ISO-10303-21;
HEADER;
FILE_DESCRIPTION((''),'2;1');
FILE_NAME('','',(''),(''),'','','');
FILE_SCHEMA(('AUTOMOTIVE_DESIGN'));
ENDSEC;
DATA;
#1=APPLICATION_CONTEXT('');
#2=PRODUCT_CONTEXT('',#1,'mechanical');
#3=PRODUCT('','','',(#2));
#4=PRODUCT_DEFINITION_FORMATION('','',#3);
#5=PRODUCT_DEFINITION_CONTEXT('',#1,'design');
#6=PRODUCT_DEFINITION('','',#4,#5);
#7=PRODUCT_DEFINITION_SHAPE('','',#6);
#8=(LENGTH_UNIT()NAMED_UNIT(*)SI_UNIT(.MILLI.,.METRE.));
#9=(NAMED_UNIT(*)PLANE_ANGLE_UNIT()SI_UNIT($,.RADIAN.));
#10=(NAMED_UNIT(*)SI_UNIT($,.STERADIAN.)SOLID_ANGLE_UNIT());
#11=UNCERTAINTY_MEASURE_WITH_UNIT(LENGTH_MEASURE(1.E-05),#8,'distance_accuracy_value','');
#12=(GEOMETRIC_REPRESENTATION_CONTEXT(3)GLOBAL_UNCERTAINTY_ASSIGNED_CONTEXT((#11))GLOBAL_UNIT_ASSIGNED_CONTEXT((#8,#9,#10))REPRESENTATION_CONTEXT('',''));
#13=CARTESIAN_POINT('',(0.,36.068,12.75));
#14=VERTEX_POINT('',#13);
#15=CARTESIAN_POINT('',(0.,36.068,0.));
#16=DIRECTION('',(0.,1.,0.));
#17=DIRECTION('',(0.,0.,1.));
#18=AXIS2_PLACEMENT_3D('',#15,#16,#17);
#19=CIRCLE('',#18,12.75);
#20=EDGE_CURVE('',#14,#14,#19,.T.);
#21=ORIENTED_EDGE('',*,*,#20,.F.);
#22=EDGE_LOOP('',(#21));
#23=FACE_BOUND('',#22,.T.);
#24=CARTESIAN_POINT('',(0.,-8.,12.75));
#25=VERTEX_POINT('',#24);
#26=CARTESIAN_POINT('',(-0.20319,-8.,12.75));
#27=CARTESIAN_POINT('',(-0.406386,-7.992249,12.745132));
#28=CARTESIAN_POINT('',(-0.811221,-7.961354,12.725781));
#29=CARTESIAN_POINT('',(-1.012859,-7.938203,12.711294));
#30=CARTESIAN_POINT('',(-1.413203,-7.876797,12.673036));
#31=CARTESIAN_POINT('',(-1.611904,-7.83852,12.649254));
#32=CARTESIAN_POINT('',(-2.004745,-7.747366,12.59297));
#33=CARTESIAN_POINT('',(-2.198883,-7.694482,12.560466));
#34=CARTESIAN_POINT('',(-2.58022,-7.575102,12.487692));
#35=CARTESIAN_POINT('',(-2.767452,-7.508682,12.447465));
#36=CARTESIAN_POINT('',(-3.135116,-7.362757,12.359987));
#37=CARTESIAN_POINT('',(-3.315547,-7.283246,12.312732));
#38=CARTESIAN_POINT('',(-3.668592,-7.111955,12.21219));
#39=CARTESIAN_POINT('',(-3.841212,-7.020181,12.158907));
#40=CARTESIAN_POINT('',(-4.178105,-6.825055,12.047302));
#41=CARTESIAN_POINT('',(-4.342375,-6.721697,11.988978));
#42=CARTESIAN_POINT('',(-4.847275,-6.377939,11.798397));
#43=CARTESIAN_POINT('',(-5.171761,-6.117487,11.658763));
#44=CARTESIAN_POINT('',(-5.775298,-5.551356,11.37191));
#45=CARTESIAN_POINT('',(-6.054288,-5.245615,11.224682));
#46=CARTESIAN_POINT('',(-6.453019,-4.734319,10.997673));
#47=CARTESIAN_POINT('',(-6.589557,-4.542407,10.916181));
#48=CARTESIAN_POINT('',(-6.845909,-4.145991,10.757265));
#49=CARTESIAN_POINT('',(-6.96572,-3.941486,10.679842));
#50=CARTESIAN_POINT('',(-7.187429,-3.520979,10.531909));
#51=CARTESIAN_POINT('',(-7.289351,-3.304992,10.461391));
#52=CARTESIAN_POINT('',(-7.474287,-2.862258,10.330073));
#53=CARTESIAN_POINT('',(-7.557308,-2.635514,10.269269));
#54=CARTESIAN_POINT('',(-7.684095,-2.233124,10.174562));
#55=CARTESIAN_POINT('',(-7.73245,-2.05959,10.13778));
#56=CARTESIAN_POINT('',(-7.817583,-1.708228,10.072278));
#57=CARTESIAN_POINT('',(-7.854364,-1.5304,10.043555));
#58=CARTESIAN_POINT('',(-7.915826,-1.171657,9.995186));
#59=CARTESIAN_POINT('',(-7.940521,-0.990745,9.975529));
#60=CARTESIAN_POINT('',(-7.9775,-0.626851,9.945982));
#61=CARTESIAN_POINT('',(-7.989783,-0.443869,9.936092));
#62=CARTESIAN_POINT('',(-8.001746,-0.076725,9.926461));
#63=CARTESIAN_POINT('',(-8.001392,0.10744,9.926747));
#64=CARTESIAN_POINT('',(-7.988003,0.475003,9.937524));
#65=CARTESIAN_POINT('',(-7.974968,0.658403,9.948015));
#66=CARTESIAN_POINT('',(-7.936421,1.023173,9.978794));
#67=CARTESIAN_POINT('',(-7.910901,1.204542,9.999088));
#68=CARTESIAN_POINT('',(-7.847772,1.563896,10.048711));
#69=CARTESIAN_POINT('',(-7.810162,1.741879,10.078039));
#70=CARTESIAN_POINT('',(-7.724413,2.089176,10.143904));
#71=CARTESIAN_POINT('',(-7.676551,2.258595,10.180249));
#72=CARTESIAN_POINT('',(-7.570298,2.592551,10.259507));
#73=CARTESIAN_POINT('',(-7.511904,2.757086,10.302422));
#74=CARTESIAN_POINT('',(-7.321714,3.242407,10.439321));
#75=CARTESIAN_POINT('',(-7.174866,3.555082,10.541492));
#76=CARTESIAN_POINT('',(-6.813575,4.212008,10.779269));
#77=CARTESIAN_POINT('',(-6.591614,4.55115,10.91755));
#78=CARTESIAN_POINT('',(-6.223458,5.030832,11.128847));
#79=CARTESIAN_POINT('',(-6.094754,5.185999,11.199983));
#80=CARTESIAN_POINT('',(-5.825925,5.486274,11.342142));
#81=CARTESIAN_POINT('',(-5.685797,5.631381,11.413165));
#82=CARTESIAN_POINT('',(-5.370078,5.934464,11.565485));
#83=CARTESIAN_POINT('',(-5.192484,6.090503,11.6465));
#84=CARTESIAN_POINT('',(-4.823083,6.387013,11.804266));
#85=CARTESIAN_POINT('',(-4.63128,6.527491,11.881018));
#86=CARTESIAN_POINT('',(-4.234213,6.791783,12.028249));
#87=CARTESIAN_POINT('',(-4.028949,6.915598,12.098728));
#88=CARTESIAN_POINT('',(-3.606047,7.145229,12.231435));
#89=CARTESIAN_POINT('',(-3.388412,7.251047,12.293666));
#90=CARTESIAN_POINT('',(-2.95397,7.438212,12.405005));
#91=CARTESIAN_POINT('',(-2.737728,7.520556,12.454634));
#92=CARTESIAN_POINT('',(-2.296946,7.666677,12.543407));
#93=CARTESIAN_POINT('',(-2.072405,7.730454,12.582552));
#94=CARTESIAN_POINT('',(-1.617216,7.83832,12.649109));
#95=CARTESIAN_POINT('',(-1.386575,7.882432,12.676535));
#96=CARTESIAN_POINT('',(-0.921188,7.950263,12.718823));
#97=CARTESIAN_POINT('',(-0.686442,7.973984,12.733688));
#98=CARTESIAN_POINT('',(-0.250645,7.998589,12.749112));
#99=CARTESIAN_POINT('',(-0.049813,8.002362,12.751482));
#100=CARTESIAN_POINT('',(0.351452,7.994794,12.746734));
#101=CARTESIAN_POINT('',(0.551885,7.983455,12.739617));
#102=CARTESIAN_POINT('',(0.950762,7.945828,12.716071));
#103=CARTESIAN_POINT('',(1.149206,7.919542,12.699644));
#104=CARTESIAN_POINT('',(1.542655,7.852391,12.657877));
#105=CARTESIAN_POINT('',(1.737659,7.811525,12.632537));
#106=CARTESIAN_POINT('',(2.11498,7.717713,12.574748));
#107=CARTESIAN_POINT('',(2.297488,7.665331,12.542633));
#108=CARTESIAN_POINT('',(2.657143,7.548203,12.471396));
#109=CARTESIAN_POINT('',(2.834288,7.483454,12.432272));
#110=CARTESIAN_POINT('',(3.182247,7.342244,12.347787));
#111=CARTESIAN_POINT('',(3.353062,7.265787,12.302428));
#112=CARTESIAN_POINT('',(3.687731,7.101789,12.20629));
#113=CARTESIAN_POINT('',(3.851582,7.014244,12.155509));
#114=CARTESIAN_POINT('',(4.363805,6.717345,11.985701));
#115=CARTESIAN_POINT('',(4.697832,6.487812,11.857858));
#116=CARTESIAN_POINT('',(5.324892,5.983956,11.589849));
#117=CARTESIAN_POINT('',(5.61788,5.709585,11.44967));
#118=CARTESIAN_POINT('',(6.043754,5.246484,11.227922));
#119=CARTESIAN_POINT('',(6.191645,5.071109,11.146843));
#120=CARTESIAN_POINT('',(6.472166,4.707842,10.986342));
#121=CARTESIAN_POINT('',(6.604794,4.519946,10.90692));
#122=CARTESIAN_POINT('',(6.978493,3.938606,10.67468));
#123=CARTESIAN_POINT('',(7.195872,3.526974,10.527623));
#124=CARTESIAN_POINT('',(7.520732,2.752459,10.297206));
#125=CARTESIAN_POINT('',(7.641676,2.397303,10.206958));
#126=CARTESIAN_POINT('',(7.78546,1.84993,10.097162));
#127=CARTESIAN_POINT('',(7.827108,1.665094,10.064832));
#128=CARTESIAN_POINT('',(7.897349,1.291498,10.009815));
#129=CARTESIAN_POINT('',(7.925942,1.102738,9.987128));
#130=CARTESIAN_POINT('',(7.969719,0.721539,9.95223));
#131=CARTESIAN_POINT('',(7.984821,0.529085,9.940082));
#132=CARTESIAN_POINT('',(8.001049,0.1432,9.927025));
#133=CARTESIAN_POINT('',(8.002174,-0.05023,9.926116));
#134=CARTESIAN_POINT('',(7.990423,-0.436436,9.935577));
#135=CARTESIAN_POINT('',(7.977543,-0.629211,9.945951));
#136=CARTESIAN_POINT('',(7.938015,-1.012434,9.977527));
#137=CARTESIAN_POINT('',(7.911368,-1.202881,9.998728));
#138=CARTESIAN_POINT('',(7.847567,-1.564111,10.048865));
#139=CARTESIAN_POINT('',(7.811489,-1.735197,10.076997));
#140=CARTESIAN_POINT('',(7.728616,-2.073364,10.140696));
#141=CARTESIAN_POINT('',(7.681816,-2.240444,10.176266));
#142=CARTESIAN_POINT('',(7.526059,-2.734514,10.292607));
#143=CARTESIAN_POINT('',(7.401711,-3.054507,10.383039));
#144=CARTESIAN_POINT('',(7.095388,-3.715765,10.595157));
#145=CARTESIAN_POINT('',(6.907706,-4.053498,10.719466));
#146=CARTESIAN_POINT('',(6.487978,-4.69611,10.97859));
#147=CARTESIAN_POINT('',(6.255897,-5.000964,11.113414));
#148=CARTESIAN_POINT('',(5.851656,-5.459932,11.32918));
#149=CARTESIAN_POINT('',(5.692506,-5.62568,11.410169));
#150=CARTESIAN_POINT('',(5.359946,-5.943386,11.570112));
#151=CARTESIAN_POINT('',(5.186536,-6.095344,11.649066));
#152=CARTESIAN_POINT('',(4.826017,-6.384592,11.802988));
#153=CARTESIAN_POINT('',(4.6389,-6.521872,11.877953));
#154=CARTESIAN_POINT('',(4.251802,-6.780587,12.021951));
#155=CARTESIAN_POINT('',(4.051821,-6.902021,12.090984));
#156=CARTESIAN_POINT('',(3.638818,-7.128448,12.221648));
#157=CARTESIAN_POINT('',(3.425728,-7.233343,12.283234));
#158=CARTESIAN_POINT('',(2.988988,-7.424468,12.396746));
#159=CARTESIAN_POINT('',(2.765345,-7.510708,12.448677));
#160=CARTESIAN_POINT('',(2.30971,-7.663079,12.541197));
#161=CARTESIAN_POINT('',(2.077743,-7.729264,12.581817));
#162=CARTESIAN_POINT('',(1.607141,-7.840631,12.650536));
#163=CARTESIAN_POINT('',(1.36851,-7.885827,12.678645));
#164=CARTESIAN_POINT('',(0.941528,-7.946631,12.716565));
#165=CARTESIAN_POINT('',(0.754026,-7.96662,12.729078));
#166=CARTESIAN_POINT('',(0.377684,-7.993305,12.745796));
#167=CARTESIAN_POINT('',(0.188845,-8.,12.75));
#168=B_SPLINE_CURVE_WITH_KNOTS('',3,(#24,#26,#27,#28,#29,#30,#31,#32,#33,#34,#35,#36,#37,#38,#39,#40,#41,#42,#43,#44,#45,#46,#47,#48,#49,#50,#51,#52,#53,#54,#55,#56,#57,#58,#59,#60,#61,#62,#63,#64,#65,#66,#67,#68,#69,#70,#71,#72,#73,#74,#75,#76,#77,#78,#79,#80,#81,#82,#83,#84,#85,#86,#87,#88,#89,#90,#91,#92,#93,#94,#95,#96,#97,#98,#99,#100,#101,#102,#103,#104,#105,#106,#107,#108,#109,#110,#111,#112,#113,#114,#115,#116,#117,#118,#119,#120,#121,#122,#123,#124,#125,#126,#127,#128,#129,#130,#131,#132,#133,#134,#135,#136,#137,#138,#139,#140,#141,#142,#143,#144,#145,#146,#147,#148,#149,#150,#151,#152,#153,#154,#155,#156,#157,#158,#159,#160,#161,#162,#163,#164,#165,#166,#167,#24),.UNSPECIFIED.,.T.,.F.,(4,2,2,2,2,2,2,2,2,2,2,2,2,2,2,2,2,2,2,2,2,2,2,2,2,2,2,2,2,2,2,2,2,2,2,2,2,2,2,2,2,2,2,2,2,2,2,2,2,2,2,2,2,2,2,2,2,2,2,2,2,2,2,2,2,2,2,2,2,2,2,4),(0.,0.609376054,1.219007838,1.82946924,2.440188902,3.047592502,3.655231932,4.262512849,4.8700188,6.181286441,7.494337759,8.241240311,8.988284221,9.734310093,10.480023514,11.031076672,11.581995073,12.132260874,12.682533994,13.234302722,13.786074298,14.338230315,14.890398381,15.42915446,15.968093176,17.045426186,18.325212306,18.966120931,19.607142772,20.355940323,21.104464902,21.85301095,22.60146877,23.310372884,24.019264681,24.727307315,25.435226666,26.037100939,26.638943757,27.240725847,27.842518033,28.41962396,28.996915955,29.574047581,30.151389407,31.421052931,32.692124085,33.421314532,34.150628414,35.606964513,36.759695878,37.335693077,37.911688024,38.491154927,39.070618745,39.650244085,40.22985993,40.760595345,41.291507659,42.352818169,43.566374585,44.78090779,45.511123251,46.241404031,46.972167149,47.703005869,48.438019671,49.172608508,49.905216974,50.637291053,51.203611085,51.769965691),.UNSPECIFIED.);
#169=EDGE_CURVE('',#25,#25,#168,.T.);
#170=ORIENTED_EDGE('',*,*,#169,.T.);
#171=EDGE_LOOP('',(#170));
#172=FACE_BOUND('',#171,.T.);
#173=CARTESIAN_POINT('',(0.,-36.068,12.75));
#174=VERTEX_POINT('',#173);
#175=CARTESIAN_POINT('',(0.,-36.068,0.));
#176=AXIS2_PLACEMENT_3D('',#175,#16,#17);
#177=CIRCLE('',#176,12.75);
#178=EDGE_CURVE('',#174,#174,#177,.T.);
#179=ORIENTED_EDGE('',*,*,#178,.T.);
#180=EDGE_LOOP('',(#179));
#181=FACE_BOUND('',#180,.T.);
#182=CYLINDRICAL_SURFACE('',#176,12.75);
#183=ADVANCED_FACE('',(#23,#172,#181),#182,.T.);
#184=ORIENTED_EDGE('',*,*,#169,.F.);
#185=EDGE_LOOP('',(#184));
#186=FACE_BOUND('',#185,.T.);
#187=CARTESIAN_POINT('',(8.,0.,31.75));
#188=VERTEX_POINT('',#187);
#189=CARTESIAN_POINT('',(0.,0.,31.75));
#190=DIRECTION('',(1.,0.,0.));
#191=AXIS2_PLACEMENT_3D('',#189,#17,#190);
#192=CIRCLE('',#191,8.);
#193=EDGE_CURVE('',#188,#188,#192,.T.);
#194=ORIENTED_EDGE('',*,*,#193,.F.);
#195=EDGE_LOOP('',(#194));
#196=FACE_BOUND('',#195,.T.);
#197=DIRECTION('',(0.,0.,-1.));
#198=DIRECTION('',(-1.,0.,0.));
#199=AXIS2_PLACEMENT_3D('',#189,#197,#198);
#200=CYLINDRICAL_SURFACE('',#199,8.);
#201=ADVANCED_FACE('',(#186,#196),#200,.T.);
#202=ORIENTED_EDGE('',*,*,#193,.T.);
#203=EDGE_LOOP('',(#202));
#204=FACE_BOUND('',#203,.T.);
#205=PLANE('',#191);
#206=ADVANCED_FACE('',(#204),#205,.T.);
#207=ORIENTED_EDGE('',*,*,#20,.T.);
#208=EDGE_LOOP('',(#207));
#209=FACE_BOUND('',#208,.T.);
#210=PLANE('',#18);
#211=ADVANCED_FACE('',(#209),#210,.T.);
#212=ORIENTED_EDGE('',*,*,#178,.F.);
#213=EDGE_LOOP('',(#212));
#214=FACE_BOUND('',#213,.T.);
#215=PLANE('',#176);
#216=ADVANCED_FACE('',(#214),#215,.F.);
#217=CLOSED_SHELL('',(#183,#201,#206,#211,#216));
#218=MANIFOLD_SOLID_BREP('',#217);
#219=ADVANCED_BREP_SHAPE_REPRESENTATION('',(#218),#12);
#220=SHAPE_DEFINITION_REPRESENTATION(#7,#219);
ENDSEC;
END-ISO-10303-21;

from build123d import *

# Parameters (mm, degrees)
BOSS_EXTRUDE1_DEPTH      = 36.068
BOSS_EXTRUDE1_DEPTH_BACK = 36.068
SKETCH1_R                = 12.75
SKETCH2_R                = 8
BOSS_EXTRUDE2_DEPTH      = 31.75


with BuildPart() as part:
    # Sketch1 → Boss-Extrude1 (new, two sides: drawn at the far end of the back side and taken through both)
    with BuildSketch(Plane(origin=(0, 0, 0), x_dir=(1, 0, 0), z_dir=(0, 1, 0)).offset(-BOSS_EXTRUDE1_DEPTH_BACK)):
        Circle(SKETCH1_R)
    extrude(amount=BOSS_EXTRUDE1_DEPTH + BOSS_EXTRUDE1_DEPTH_BACK)

    # Sketch2 → Boss-Extrude2 (add)
    with BuildSketch(Plane.XY):
        Circle(SKETCH2_R)
    extrude(amount=BOSS_EXTRUDE2_DEPTH)


solid = part.part
